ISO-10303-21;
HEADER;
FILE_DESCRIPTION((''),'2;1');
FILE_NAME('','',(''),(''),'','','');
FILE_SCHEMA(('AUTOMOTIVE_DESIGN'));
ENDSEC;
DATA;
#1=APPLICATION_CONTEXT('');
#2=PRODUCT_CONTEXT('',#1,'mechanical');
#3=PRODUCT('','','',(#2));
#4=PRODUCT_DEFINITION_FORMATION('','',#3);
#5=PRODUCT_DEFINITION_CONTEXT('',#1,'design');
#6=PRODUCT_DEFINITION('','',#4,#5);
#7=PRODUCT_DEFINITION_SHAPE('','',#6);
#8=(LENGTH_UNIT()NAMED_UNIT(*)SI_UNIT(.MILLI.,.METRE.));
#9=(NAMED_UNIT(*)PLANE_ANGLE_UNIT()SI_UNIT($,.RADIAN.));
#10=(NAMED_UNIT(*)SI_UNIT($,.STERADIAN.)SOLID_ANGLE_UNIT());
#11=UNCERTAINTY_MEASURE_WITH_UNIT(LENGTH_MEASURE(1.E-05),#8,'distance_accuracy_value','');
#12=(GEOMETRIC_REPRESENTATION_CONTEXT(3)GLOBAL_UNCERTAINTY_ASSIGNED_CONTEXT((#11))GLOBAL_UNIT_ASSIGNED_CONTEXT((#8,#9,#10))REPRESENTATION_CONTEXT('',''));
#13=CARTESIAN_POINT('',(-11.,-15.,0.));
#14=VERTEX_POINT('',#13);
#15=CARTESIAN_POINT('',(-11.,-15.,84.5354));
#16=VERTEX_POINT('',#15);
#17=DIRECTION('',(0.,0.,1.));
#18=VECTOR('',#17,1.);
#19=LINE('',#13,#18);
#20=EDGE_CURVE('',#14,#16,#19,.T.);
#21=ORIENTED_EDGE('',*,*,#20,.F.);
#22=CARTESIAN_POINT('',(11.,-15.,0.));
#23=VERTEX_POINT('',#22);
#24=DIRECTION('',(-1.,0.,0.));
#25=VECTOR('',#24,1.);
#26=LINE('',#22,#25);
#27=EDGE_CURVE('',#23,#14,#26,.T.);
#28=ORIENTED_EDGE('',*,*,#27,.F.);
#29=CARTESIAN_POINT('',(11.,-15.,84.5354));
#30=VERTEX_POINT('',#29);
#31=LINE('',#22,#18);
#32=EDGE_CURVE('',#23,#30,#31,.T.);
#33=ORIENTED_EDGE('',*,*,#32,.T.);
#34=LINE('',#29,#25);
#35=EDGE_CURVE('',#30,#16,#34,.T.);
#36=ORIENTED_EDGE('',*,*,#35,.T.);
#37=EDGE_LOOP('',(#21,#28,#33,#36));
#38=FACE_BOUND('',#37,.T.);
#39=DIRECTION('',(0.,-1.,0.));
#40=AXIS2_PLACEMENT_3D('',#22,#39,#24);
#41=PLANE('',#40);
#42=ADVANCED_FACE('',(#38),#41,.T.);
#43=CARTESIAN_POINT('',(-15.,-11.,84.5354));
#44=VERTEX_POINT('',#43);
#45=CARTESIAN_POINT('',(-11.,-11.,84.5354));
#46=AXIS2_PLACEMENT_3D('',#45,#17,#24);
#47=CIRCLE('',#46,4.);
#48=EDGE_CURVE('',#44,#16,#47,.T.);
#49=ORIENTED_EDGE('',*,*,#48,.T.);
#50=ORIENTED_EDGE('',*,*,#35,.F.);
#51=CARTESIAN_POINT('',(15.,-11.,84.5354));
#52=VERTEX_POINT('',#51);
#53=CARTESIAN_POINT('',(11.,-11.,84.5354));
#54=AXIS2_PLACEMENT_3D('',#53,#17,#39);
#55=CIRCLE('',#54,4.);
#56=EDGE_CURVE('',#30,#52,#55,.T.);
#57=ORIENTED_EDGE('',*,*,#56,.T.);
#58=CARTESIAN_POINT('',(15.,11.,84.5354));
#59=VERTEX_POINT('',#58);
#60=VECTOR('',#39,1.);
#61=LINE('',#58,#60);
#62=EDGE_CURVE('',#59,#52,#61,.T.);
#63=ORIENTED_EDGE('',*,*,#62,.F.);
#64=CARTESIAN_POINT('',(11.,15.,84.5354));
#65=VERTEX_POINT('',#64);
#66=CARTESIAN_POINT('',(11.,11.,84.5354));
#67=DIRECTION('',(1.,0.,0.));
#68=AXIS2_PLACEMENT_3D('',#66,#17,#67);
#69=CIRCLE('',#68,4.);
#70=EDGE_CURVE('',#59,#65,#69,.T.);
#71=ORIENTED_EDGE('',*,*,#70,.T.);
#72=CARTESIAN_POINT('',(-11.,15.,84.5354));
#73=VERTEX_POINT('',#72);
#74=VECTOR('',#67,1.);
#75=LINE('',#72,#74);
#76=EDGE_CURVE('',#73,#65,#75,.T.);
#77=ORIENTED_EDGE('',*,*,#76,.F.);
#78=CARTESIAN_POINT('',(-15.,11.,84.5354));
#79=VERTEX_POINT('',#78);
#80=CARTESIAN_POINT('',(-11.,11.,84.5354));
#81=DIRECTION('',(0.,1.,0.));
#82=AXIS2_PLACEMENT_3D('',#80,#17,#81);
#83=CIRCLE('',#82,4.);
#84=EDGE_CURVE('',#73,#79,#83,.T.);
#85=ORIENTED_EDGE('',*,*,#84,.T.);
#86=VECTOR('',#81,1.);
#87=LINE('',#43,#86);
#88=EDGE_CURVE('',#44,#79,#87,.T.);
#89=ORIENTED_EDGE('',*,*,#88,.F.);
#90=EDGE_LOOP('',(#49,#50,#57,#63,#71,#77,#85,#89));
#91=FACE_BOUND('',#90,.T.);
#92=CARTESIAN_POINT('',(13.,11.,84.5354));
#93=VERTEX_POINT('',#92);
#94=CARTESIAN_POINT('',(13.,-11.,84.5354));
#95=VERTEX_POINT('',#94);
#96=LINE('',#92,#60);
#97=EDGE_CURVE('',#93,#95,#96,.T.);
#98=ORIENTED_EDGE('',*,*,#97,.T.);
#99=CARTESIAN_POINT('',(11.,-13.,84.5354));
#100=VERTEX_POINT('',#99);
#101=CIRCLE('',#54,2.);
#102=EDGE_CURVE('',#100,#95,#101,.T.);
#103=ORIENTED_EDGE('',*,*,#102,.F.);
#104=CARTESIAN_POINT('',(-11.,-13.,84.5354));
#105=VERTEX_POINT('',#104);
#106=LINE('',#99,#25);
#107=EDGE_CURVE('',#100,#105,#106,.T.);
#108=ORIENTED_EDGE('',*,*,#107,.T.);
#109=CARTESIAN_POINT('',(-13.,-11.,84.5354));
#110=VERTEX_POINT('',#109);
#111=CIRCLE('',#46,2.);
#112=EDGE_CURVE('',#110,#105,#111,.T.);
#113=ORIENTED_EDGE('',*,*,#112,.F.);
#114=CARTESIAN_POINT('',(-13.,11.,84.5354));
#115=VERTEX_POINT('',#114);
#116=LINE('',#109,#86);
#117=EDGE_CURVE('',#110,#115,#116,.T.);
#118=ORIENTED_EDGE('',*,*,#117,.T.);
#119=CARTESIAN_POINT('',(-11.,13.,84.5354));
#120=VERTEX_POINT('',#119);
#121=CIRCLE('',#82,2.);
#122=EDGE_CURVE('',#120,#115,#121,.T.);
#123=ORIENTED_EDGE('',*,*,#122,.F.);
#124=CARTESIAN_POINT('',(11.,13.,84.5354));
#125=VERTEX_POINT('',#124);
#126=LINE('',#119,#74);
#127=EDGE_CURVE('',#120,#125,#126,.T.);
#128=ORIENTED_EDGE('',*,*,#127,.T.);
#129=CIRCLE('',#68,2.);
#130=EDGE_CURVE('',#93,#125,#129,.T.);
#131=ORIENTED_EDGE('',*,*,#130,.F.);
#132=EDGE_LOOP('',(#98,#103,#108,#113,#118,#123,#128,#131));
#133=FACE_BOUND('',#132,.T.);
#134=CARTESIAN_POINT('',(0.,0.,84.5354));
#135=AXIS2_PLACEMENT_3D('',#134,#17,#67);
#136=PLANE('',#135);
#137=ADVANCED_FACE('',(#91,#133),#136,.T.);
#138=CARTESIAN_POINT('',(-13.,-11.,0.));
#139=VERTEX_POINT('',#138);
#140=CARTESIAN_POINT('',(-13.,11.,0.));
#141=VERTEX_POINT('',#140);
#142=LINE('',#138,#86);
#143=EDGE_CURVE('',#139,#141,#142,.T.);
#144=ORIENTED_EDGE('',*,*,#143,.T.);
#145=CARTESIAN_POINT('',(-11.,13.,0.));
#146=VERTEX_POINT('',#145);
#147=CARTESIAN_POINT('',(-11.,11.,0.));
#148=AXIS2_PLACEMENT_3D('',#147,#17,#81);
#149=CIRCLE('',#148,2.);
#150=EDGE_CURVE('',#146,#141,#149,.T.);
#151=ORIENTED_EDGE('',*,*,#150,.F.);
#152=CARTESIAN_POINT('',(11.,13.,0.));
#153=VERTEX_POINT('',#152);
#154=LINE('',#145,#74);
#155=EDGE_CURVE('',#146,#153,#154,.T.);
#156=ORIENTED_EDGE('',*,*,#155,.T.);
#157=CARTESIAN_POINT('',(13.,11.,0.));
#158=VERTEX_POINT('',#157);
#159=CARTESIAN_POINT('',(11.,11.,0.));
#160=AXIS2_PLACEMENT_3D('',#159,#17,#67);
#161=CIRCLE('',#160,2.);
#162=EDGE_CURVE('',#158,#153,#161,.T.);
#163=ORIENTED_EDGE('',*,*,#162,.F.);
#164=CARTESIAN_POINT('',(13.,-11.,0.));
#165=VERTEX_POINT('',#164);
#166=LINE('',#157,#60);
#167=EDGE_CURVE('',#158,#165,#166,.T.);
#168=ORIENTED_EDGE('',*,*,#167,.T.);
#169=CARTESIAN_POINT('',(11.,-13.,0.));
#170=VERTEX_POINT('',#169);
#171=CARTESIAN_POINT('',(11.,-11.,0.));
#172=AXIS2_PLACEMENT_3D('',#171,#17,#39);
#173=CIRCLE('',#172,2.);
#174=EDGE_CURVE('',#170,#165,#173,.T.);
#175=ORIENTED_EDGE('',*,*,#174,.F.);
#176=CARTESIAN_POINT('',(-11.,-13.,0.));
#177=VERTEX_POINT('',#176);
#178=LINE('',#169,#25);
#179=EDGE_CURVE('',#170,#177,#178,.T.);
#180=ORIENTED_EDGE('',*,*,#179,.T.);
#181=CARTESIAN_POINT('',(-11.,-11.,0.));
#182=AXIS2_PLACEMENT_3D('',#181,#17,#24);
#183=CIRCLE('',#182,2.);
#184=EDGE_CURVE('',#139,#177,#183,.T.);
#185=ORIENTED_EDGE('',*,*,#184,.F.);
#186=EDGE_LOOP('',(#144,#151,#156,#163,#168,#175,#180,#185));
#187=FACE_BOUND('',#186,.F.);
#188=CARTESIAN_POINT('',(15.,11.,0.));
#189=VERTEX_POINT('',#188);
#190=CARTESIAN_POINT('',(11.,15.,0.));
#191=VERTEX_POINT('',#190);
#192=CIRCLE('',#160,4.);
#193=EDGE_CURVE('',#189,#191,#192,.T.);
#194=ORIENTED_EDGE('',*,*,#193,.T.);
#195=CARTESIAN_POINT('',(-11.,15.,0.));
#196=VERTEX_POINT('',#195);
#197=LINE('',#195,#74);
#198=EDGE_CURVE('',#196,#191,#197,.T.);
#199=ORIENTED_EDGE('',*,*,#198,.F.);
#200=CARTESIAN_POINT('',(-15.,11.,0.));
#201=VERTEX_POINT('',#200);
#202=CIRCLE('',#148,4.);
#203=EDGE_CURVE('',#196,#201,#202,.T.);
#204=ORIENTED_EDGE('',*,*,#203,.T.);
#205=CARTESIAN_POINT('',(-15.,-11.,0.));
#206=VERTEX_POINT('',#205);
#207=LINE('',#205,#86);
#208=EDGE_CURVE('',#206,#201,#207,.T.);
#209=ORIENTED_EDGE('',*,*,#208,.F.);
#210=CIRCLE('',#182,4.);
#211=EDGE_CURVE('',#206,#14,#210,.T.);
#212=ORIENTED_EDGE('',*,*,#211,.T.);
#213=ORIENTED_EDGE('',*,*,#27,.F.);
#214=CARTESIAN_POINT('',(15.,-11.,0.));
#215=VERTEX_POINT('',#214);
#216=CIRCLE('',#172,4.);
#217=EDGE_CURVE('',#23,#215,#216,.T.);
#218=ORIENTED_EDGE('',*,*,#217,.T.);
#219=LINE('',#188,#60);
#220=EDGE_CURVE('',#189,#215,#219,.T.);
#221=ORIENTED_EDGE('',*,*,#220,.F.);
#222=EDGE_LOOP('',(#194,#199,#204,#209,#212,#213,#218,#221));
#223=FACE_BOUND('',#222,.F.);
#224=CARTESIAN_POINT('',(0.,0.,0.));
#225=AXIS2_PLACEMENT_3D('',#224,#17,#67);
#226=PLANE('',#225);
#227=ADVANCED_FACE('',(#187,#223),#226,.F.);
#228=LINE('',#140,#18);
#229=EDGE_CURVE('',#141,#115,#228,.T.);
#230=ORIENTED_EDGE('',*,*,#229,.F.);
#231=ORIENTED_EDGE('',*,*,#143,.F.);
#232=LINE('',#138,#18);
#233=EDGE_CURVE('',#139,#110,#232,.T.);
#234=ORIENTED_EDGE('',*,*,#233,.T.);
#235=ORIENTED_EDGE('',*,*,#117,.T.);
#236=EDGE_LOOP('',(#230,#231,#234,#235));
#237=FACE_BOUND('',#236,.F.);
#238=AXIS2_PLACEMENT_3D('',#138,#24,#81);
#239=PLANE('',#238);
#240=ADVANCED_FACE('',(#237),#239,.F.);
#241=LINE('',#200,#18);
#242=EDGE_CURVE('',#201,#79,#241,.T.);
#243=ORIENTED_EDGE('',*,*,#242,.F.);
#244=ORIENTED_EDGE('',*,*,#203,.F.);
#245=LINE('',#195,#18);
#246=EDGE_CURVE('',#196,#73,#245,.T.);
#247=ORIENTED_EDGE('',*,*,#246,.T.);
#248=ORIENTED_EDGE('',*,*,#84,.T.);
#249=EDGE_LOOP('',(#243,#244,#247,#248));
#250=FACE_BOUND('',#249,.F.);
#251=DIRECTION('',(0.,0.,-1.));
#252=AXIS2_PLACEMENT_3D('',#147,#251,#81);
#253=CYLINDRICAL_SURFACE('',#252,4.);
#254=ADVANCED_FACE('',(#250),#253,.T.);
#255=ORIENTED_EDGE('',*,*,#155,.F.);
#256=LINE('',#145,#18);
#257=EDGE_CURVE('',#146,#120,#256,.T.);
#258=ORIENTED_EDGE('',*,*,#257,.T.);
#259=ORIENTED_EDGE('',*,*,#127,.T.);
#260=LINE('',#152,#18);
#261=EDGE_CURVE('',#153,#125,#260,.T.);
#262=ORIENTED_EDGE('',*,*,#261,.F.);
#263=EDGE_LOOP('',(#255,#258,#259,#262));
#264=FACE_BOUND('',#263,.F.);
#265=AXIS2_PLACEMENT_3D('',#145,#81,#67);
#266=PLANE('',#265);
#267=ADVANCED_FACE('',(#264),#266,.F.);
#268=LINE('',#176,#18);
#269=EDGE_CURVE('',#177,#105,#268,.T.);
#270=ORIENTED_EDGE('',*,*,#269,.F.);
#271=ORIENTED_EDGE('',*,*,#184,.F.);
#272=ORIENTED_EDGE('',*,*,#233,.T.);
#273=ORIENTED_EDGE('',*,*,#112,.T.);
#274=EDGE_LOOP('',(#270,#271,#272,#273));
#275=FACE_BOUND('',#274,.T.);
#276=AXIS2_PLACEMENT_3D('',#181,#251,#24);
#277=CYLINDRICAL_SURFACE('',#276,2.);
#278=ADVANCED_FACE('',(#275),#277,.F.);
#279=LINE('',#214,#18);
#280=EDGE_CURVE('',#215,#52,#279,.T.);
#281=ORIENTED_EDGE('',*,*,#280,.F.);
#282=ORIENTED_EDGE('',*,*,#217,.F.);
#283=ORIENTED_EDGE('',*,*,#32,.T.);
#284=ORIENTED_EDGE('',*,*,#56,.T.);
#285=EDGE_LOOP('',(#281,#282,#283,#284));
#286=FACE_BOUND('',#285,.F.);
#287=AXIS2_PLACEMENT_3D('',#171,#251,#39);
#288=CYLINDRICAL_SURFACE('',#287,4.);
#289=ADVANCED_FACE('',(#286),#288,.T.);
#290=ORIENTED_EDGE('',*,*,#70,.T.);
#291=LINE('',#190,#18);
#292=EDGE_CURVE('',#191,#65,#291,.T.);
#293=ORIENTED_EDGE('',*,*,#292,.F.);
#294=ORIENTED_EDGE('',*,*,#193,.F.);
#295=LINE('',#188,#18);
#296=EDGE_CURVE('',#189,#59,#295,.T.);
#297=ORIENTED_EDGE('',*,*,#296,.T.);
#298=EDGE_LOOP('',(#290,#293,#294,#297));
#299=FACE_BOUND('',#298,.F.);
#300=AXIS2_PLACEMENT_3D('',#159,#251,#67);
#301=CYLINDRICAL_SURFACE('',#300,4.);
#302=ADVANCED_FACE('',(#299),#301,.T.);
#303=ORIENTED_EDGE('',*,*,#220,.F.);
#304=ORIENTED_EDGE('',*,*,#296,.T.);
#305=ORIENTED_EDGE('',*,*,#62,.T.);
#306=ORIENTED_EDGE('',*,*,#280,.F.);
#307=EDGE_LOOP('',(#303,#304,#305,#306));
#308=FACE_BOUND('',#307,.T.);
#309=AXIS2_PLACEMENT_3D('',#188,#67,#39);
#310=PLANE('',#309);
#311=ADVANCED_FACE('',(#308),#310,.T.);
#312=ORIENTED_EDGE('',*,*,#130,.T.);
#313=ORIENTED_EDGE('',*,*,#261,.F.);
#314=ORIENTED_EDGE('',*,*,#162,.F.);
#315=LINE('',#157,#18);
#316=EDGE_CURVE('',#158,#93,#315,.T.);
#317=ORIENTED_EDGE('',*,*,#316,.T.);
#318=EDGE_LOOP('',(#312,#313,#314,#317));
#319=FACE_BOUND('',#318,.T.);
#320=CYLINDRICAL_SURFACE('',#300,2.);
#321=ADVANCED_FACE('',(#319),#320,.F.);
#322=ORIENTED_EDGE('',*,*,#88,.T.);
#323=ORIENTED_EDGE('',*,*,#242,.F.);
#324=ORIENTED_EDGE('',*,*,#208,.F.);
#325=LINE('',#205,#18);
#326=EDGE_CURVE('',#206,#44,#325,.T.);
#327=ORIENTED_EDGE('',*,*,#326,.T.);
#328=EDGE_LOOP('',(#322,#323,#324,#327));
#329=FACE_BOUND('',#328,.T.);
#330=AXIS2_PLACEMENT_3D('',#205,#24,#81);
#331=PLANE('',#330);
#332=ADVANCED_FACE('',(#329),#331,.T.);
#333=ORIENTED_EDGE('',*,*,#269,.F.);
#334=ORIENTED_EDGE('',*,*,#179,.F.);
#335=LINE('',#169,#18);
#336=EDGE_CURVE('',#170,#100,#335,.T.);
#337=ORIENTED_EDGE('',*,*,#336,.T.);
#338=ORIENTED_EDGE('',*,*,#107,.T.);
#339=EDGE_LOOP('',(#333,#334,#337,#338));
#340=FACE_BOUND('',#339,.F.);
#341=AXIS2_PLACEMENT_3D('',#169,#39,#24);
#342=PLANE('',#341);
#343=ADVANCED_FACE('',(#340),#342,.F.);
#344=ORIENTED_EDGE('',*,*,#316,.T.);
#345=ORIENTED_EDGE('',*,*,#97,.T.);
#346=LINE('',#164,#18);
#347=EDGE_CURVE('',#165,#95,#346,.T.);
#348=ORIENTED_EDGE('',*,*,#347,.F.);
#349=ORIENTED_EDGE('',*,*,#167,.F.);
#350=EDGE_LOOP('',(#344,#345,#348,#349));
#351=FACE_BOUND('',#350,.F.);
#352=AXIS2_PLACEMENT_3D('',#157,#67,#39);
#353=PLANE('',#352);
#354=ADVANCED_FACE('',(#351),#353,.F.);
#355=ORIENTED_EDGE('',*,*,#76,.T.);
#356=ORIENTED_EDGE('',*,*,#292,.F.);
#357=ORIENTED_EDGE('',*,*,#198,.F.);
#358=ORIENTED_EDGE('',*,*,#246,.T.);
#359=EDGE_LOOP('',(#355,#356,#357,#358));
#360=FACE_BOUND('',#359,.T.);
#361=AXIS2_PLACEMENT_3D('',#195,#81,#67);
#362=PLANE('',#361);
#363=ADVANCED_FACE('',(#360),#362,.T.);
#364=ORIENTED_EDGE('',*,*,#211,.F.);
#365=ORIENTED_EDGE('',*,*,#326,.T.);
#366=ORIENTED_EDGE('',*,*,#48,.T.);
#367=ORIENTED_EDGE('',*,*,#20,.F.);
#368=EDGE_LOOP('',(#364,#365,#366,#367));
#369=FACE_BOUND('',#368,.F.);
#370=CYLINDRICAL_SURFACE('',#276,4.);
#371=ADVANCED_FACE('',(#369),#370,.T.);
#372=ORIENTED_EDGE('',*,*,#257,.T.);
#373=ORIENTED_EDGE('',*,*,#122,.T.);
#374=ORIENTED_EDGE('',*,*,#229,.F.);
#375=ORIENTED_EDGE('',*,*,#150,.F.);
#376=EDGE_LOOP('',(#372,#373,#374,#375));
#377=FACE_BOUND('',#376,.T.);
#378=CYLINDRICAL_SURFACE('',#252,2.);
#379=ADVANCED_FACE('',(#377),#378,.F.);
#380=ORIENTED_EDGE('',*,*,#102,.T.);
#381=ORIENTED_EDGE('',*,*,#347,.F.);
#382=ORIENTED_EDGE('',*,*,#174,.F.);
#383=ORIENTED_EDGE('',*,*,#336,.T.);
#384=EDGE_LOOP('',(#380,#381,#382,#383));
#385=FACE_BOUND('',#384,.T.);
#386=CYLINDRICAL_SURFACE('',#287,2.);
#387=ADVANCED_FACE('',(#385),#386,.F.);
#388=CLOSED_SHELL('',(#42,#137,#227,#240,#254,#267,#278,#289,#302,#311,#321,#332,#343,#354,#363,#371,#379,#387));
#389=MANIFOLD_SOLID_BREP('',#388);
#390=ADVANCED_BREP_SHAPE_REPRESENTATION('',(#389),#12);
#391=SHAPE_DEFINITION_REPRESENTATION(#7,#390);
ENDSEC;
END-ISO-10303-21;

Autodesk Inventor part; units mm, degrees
ref_plane "YZ Plane" through (0, 0, 0) normal (1, 0, 0) x (0, 1, 0)
ref_plane "Plano inicial" through (0, 0, 0) normal (0, 0, 1) x (1, 0, 0)
ref_plane "Plano final" through (0, 0, 84.5354) normal (0, 0, 1) x (1, 0, 0)
sketch "Esboço" plane through (0, 0, 0) normal (0, 0, 1) x (1, 0, 0)
  line L0 (-15, -11) -> (-15, 11)
  line L1 (-11, 15) -> (11, 15)
  line L2 (15, 11) -> (15, -11)
  line L3 (11, -15) -> (-11, -15)
  arc A0 (-15, -11) -> (-11, -15) centre (-11, -11) ccw
  arc A1 (15, 11) -> (11, 15) centre (11, 11) ccw
  arc A2 (-11, 15) -> (-15, 11) centre (-11, 11) ccw
  arc A3 (11, -15) -> (15, -11) centre (11, -11) ccw
  arc A4 (-11, 13) -> (-13, 11) centre (-11, 11) ccw
  line L4 (-11, 13) -> (11, 13)
  arc A5 (13, 11) -> (11, 13) centre (11, 11) ccw
  line L5 (13, 11) -> (13, -11)
  arc A6 (11, -13) -> (13, -11) centre (11, -11) ccw
  line L6 (11, -13) -> (-11, -13)
  arc A7 (-13, -11) -> (-11, -13) centre (-11, -11) ccw
  line L7 (-13, -11) -> (-13, 11)
  line L8 (0, 22.1598) -> (0, -22.1598) construction
  line L9 (-22.1598, 0) -> (22.1598, 0) construction
  dimension "d7" = 4
  dimension "d9" = 30
  dimension "d11" = 30
  dimension "d12" = 2
  dimension "d15" = 15
  dimension "d16" = 15
extrude "Corpo" add sketch "Esboço" along normal up to surface (84.5354 mm away) from surface at 0
sketch "Sketch3" plane through (0, 0, 0) normal (0, 0, 1) x (1, 0, 0)
  line L0 (0, 0) -> (10, 0)
ref_plane "Work Plane3" through (0, 0, 0) normal (0, -1, 0) x (1, 0, 0)
sketch "Sketch4" plane through (0, 0, 0) normal (0, -1, 0) x (1, 0, 0)
  line L0 (-2, 0) -> (12, 0)
  line L1 (-2, 84.5354) -> (12, 84.5354)
  dimension "d18" = 84.5354
equation "\"d7\" = G_IR"
equation "\"d9\" = G_W"
equation "\"d11\" = G_H"
equation "\"d12\" = G_T"
equation "\"d15\" = 0.5 * d9"
equation "\"d16\" = 0.5 * d11"
equation "\"d3\" = G_L"
equation "\"G_W\" = 30"
equation "\"G_H\" = 30"
equation "\"G_T\" = 2"
equation "\"G_IR\" = 4"
equation "\"G_L\" = d18"
equation "\"G_OFFSET_START\" = 0"
equation "\"G_OFFSET_END\" = 0"
equation "\"d14\" = G_OFFSET_END + B_L"
equation "\"B_L\" = 84.53539"
properties part number "ISO 10799-2 - 30x30x2 - 84,535" material "Aço, suave"
